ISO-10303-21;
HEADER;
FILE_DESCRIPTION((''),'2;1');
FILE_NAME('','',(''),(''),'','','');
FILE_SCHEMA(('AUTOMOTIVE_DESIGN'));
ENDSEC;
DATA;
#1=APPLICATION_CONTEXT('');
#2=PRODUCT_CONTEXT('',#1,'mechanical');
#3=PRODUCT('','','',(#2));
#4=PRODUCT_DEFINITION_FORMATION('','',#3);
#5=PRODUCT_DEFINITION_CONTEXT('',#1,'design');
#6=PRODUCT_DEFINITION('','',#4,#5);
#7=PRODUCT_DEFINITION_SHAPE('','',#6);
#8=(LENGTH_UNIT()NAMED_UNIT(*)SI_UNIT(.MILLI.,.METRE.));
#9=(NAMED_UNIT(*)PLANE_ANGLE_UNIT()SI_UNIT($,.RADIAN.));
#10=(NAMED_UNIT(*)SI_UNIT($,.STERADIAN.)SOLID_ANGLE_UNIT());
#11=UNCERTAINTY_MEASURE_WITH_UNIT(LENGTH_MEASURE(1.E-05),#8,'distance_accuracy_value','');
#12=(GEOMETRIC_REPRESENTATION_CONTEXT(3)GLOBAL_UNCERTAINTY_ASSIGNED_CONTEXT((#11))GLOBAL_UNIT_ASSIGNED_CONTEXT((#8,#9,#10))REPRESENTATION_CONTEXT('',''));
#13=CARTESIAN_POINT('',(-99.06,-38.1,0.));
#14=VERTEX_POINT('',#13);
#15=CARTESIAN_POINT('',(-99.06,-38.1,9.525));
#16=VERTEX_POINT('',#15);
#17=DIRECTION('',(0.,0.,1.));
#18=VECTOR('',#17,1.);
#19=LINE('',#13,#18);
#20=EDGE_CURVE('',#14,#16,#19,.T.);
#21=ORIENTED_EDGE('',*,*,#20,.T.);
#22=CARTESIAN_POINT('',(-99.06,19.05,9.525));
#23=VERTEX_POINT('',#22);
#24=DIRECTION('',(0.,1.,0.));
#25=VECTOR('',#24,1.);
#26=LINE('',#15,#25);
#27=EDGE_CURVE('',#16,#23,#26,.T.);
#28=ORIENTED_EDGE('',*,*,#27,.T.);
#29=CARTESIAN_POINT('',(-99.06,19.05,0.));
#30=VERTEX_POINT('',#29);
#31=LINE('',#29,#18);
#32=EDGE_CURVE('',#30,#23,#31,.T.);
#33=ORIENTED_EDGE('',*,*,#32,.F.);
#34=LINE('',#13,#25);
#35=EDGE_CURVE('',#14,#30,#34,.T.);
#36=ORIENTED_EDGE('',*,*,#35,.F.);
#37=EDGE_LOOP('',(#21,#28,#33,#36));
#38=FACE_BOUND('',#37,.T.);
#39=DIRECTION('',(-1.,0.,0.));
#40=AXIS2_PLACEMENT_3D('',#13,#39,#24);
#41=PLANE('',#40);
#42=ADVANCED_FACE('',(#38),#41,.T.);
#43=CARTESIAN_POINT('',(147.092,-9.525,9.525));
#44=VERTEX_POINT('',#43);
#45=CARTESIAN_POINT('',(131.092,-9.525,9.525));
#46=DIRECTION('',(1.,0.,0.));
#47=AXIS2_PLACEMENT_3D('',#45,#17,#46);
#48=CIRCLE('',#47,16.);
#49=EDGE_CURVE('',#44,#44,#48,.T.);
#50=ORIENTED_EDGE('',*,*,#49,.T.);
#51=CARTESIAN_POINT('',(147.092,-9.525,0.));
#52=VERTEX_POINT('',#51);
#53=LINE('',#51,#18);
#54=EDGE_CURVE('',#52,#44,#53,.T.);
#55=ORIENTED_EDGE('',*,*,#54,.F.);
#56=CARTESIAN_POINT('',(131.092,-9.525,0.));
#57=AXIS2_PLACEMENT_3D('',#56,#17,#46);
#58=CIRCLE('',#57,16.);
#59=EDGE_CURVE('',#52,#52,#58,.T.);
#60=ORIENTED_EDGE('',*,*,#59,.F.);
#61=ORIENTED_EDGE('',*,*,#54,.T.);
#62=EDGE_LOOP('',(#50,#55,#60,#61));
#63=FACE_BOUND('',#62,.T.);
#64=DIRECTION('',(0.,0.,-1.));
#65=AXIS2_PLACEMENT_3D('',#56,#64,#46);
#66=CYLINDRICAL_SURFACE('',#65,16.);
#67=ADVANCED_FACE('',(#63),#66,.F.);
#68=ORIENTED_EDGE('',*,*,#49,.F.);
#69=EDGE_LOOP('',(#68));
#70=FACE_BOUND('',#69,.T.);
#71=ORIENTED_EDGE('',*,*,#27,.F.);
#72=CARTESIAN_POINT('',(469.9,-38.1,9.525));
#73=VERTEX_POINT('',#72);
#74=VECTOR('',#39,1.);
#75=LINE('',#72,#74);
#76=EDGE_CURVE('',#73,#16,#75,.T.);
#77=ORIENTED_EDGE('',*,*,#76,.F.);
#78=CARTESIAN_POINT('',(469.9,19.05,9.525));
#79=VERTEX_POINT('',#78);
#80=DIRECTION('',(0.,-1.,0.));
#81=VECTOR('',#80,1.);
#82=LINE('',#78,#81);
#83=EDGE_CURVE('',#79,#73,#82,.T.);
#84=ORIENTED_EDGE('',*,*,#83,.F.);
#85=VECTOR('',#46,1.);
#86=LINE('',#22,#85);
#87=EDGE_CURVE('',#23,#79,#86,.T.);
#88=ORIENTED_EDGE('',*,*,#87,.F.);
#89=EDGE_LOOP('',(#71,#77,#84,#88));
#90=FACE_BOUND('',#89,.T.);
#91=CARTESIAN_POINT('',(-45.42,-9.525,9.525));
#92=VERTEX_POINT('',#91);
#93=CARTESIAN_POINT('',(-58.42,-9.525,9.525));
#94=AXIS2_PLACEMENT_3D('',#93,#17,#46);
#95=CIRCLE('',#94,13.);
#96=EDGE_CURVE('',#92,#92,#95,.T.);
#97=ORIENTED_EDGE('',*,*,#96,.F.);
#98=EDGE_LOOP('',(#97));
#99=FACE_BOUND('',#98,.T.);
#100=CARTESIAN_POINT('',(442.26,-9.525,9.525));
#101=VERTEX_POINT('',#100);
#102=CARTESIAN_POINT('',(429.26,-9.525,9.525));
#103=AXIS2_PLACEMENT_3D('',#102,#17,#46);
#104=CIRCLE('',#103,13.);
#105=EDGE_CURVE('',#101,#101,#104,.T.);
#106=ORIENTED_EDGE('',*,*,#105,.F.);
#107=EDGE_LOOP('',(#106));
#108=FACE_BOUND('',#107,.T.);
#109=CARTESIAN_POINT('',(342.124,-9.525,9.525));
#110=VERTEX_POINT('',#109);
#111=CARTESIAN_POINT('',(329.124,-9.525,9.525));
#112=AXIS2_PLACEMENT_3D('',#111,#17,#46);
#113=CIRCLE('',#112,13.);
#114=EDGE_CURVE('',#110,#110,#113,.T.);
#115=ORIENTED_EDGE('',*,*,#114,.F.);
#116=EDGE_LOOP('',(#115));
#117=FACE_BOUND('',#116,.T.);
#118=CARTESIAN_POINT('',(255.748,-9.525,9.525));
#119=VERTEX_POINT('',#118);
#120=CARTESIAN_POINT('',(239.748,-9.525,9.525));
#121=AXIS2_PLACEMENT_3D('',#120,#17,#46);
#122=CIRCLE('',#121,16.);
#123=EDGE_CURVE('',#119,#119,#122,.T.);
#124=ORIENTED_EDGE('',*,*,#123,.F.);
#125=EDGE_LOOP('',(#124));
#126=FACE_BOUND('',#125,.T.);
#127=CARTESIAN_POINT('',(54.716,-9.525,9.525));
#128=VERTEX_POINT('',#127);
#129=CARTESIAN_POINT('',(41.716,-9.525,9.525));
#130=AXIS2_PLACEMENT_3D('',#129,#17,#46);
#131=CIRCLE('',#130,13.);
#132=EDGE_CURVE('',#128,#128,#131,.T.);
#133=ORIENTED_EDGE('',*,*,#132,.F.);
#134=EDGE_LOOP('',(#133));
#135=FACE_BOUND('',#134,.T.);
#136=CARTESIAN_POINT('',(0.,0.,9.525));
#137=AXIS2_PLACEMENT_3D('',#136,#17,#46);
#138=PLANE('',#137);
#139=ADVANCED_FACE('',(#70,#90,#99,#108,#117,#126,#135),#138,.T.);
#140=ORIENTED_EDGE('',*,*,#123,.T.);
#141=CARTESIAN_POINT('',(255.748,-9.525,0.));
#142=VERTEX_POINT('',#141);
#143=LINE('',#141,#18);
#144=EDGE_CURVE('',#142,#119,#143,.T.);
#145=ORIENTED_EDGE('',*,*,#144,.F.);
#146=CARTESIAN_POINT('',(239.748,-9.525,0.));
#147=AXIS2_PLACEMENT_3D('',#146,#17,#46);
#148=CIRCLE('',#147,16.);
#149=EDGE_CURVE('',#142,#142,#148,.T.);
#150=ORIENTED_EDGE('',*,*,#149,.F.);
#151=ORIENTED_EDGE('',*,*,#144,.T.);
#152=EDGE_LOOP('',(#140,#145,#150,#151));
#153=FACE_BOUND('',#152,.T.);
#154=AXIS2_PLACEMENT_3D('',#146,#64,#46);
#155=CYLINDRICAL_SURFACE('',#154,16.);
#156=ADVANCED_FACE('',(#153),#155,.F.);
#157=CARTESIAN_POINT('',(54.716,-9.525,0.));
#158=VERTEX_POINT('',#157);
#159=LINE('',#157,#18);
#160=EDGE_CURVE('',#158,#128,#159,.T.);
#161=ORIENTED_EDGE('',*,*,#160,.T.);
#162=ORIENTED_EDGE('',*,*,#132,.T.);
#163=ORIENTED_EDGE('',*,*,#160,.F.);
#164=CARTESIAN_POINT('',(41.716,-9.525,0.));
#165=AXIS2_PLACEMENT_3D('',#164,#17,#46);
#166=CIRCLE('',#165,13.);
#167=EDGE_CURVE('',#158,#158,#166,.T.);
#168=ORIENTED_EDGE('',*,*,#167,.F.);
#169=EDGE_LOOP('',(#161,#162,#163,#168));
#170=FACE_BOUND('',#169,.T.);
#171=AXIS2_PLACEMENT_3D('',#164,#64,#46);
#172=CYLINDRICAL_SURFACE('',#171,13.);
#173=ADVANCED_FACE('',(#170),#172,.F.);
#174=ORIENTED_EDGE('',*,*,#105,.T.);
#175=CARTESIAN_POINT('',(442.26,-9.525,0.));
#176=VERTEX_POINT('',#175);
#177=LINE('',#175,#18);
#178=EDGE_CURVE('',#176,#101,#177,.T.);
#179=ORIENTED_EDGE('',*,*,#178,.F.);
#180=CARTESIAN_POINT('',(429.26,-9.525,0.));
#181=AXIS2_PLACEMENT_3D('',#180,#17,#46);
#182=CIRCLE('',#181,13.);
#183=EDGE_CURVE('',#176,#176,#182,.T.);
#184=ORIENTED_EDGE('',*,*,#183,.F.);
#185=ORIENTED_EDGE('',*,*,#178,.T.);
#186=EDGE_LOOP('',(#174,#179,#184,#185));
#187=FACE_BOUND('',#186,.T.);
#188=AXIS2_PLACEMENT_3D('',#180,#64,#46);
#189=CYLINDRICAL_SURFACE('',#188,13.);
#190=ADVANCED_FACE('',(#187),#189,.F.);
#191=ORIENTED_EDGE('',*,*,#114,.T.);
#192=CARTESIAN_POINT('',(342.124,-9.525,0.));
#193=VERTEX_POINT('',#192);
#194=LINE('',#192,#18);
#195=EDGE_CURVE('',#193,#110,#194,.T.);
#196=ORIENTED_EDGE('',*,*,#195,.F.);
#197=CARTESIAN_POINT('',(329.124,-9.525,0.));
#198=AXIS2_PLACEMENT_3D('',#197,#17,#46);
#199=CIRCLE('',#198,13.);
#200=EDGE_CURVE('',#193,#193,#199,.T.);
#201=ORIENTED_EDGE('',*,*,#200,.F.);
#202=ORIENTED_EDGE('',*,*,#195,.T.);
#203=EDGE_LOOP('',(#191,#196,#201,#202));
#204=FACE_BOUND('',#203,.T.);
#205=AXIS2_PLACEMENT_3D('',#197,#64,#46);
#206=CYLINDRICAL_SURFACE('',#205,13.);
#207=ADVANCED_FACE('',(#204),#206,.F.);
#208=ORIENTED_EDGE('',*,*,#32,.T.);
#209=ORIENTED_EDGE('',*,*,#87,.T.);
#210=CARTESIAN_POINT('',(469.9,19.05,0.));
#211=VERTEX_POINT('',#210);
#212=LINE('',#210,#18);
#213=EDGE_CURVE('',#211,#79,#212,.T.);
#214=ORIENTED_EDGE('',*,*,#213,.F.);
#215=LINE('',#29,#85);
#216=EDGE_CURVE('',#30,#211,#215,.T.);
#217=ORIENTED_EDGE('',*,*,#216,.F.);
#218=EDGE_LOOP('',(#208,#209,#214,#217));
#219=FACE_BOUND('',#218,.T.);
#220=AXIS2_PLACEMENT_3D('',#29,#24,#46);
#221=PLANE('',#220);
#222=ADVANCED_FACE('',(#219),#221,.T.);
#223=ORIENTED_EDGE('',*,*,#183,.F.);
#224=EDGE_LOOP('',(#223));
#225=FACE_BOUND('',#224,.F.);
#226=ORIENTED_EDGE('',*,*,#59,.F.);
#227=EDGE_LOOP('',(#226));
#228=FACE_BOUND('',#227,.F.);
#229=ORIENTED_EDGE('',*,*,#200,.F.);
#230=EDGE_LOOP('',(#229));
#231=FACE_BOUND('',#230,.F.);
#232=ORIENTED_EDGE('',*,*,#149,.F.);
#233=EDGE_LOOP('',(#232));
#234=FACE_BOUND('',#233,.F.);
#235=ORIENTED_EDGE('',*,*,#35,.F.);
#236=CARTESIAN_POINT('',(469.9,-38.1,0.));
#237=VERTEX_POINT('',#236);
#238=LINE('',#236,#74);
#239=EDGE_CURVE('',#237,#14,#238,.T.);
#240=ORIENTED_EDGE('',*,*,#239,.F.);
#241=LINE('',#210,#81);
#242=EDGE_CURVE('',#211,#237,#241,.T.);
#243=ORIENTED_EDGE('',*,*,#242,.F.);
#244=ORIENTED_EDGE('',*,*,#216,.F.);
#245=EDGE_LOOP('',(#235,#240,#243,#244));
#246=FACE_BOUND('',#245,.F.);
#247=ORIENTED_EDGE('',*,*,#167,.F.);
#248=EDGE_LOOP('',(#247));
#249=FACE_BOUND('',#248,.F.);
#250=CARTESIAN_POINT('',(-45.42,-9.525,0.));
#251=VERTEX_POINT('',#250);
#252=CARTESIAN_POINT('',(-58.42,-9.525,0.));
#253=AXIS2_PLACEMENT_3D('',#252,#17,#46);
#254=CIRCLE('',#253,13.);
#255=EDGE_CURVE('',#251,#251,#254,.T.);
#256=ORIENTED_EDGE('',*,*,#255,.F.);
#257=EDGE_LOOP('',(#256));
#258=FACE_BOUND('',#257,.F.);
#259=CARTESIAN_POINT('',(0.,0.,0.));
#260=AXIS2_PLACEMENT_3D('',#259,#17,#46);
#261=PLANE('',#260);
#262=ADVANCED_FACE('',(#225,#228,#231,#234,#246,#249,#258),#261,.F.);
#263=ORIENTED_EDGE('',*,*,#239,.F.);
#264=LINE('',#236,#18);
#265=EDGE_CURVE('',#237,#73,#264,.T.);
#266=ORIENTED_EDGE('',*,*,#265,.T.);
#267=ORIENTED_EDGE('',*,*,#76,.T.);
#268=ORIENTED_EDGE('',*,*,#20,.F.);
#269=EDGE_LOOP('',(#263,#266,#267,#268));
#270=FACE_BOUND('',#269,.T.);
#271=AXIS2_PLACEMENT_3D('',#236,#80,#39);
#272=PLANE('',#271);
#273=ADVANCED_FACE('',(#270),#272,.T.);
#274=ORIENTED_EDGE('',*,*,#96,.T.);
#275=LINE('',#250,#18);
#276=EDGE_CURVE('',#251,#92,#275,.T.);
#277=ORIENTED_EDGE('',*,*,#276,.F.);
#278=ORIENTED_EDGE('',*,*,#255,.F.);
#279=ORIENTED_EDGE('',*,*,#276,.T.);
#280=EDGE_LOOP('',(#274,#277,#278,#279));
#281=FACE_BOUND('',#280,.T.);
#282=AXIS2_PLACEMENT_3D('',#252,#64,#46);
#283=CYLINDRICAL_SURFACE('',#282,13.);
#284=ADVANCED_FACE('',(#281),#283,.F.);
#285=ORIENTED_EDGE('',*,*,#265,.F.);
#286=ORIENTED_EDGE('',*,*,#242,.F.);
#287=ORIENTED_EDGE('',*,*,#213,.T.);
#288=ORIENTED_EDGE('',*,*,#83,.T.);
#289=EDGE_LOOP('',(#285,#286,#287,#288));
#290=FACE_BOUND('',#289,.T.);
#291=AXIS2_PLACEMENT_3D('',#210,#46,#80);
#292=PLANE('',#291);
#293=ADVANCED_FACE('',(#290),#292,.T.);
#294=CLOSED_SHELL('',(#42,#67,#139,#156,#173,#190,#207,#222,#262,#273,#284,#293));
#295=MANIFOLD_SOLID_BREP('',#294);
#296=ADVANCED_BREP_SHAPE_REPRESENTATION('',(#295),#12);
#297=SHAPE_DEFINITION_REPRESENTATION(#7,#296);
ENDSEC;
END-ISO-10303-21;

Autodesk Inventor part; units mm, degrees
ref_plane "YZ Plane" through (0, 0, 0) normal (1, 0, 0) x (0, 1, 0)
ref_plane "XZ Plane" through (0, 0, 0) normal (0, 1, 0) x (-1, 0, 0)
ref_plane "XY Plane" through (0, 0, 0) normal (0, 0, 1) x (1, 0, 0)
sketch "Sketch1" plane through (0, 0, 0) normal (0, 0, 1) x (1, 0, 0)
  line L0 (-99.06, 19.05) -> (469.9, 19.05)
  line L1 (469.9, 19.05) -> (469.9, -38.1)
  line L2 (469.9, -38.1) -> (-99.06, -38.1)
  line L3 (-99.06, -38.1) -> (-99.06, 19.05)
  circle A0 centre (-58.42, -9.525) radius 13
  circle A1 centre (41.716, -9.525) radius 13
  circle A2 centre (131.092, -9.525) radius 16
  circle A3 centre (429.26, -9.525) radius 13
  circle A4 centre (329.124, -9.525) radius 13
  circle A5 centre (239.748, -9.525) radius 16
  point P0 (0, 0)
  dimension "d4" = 26
  dimension "d6" = 26
  dimension "d8" = 32
  dimension "d10" = 26
  dimension "d12" = 26
  dimension "d14" = 32
  dimension "d16" = 568.96
  dimension "d17" = 57.15
  dimension "d18" = 40.64
  dimension "d19" = 140.776
  dimension "d20" = 230.152
  dimension "d21" = 230.152
  dimension "d22" = 40.64
  dimension "d23" = 140.776
extrude "Extrusion1" add sketch "Sketch1" along normal blind 9.525
properties part number "side"
